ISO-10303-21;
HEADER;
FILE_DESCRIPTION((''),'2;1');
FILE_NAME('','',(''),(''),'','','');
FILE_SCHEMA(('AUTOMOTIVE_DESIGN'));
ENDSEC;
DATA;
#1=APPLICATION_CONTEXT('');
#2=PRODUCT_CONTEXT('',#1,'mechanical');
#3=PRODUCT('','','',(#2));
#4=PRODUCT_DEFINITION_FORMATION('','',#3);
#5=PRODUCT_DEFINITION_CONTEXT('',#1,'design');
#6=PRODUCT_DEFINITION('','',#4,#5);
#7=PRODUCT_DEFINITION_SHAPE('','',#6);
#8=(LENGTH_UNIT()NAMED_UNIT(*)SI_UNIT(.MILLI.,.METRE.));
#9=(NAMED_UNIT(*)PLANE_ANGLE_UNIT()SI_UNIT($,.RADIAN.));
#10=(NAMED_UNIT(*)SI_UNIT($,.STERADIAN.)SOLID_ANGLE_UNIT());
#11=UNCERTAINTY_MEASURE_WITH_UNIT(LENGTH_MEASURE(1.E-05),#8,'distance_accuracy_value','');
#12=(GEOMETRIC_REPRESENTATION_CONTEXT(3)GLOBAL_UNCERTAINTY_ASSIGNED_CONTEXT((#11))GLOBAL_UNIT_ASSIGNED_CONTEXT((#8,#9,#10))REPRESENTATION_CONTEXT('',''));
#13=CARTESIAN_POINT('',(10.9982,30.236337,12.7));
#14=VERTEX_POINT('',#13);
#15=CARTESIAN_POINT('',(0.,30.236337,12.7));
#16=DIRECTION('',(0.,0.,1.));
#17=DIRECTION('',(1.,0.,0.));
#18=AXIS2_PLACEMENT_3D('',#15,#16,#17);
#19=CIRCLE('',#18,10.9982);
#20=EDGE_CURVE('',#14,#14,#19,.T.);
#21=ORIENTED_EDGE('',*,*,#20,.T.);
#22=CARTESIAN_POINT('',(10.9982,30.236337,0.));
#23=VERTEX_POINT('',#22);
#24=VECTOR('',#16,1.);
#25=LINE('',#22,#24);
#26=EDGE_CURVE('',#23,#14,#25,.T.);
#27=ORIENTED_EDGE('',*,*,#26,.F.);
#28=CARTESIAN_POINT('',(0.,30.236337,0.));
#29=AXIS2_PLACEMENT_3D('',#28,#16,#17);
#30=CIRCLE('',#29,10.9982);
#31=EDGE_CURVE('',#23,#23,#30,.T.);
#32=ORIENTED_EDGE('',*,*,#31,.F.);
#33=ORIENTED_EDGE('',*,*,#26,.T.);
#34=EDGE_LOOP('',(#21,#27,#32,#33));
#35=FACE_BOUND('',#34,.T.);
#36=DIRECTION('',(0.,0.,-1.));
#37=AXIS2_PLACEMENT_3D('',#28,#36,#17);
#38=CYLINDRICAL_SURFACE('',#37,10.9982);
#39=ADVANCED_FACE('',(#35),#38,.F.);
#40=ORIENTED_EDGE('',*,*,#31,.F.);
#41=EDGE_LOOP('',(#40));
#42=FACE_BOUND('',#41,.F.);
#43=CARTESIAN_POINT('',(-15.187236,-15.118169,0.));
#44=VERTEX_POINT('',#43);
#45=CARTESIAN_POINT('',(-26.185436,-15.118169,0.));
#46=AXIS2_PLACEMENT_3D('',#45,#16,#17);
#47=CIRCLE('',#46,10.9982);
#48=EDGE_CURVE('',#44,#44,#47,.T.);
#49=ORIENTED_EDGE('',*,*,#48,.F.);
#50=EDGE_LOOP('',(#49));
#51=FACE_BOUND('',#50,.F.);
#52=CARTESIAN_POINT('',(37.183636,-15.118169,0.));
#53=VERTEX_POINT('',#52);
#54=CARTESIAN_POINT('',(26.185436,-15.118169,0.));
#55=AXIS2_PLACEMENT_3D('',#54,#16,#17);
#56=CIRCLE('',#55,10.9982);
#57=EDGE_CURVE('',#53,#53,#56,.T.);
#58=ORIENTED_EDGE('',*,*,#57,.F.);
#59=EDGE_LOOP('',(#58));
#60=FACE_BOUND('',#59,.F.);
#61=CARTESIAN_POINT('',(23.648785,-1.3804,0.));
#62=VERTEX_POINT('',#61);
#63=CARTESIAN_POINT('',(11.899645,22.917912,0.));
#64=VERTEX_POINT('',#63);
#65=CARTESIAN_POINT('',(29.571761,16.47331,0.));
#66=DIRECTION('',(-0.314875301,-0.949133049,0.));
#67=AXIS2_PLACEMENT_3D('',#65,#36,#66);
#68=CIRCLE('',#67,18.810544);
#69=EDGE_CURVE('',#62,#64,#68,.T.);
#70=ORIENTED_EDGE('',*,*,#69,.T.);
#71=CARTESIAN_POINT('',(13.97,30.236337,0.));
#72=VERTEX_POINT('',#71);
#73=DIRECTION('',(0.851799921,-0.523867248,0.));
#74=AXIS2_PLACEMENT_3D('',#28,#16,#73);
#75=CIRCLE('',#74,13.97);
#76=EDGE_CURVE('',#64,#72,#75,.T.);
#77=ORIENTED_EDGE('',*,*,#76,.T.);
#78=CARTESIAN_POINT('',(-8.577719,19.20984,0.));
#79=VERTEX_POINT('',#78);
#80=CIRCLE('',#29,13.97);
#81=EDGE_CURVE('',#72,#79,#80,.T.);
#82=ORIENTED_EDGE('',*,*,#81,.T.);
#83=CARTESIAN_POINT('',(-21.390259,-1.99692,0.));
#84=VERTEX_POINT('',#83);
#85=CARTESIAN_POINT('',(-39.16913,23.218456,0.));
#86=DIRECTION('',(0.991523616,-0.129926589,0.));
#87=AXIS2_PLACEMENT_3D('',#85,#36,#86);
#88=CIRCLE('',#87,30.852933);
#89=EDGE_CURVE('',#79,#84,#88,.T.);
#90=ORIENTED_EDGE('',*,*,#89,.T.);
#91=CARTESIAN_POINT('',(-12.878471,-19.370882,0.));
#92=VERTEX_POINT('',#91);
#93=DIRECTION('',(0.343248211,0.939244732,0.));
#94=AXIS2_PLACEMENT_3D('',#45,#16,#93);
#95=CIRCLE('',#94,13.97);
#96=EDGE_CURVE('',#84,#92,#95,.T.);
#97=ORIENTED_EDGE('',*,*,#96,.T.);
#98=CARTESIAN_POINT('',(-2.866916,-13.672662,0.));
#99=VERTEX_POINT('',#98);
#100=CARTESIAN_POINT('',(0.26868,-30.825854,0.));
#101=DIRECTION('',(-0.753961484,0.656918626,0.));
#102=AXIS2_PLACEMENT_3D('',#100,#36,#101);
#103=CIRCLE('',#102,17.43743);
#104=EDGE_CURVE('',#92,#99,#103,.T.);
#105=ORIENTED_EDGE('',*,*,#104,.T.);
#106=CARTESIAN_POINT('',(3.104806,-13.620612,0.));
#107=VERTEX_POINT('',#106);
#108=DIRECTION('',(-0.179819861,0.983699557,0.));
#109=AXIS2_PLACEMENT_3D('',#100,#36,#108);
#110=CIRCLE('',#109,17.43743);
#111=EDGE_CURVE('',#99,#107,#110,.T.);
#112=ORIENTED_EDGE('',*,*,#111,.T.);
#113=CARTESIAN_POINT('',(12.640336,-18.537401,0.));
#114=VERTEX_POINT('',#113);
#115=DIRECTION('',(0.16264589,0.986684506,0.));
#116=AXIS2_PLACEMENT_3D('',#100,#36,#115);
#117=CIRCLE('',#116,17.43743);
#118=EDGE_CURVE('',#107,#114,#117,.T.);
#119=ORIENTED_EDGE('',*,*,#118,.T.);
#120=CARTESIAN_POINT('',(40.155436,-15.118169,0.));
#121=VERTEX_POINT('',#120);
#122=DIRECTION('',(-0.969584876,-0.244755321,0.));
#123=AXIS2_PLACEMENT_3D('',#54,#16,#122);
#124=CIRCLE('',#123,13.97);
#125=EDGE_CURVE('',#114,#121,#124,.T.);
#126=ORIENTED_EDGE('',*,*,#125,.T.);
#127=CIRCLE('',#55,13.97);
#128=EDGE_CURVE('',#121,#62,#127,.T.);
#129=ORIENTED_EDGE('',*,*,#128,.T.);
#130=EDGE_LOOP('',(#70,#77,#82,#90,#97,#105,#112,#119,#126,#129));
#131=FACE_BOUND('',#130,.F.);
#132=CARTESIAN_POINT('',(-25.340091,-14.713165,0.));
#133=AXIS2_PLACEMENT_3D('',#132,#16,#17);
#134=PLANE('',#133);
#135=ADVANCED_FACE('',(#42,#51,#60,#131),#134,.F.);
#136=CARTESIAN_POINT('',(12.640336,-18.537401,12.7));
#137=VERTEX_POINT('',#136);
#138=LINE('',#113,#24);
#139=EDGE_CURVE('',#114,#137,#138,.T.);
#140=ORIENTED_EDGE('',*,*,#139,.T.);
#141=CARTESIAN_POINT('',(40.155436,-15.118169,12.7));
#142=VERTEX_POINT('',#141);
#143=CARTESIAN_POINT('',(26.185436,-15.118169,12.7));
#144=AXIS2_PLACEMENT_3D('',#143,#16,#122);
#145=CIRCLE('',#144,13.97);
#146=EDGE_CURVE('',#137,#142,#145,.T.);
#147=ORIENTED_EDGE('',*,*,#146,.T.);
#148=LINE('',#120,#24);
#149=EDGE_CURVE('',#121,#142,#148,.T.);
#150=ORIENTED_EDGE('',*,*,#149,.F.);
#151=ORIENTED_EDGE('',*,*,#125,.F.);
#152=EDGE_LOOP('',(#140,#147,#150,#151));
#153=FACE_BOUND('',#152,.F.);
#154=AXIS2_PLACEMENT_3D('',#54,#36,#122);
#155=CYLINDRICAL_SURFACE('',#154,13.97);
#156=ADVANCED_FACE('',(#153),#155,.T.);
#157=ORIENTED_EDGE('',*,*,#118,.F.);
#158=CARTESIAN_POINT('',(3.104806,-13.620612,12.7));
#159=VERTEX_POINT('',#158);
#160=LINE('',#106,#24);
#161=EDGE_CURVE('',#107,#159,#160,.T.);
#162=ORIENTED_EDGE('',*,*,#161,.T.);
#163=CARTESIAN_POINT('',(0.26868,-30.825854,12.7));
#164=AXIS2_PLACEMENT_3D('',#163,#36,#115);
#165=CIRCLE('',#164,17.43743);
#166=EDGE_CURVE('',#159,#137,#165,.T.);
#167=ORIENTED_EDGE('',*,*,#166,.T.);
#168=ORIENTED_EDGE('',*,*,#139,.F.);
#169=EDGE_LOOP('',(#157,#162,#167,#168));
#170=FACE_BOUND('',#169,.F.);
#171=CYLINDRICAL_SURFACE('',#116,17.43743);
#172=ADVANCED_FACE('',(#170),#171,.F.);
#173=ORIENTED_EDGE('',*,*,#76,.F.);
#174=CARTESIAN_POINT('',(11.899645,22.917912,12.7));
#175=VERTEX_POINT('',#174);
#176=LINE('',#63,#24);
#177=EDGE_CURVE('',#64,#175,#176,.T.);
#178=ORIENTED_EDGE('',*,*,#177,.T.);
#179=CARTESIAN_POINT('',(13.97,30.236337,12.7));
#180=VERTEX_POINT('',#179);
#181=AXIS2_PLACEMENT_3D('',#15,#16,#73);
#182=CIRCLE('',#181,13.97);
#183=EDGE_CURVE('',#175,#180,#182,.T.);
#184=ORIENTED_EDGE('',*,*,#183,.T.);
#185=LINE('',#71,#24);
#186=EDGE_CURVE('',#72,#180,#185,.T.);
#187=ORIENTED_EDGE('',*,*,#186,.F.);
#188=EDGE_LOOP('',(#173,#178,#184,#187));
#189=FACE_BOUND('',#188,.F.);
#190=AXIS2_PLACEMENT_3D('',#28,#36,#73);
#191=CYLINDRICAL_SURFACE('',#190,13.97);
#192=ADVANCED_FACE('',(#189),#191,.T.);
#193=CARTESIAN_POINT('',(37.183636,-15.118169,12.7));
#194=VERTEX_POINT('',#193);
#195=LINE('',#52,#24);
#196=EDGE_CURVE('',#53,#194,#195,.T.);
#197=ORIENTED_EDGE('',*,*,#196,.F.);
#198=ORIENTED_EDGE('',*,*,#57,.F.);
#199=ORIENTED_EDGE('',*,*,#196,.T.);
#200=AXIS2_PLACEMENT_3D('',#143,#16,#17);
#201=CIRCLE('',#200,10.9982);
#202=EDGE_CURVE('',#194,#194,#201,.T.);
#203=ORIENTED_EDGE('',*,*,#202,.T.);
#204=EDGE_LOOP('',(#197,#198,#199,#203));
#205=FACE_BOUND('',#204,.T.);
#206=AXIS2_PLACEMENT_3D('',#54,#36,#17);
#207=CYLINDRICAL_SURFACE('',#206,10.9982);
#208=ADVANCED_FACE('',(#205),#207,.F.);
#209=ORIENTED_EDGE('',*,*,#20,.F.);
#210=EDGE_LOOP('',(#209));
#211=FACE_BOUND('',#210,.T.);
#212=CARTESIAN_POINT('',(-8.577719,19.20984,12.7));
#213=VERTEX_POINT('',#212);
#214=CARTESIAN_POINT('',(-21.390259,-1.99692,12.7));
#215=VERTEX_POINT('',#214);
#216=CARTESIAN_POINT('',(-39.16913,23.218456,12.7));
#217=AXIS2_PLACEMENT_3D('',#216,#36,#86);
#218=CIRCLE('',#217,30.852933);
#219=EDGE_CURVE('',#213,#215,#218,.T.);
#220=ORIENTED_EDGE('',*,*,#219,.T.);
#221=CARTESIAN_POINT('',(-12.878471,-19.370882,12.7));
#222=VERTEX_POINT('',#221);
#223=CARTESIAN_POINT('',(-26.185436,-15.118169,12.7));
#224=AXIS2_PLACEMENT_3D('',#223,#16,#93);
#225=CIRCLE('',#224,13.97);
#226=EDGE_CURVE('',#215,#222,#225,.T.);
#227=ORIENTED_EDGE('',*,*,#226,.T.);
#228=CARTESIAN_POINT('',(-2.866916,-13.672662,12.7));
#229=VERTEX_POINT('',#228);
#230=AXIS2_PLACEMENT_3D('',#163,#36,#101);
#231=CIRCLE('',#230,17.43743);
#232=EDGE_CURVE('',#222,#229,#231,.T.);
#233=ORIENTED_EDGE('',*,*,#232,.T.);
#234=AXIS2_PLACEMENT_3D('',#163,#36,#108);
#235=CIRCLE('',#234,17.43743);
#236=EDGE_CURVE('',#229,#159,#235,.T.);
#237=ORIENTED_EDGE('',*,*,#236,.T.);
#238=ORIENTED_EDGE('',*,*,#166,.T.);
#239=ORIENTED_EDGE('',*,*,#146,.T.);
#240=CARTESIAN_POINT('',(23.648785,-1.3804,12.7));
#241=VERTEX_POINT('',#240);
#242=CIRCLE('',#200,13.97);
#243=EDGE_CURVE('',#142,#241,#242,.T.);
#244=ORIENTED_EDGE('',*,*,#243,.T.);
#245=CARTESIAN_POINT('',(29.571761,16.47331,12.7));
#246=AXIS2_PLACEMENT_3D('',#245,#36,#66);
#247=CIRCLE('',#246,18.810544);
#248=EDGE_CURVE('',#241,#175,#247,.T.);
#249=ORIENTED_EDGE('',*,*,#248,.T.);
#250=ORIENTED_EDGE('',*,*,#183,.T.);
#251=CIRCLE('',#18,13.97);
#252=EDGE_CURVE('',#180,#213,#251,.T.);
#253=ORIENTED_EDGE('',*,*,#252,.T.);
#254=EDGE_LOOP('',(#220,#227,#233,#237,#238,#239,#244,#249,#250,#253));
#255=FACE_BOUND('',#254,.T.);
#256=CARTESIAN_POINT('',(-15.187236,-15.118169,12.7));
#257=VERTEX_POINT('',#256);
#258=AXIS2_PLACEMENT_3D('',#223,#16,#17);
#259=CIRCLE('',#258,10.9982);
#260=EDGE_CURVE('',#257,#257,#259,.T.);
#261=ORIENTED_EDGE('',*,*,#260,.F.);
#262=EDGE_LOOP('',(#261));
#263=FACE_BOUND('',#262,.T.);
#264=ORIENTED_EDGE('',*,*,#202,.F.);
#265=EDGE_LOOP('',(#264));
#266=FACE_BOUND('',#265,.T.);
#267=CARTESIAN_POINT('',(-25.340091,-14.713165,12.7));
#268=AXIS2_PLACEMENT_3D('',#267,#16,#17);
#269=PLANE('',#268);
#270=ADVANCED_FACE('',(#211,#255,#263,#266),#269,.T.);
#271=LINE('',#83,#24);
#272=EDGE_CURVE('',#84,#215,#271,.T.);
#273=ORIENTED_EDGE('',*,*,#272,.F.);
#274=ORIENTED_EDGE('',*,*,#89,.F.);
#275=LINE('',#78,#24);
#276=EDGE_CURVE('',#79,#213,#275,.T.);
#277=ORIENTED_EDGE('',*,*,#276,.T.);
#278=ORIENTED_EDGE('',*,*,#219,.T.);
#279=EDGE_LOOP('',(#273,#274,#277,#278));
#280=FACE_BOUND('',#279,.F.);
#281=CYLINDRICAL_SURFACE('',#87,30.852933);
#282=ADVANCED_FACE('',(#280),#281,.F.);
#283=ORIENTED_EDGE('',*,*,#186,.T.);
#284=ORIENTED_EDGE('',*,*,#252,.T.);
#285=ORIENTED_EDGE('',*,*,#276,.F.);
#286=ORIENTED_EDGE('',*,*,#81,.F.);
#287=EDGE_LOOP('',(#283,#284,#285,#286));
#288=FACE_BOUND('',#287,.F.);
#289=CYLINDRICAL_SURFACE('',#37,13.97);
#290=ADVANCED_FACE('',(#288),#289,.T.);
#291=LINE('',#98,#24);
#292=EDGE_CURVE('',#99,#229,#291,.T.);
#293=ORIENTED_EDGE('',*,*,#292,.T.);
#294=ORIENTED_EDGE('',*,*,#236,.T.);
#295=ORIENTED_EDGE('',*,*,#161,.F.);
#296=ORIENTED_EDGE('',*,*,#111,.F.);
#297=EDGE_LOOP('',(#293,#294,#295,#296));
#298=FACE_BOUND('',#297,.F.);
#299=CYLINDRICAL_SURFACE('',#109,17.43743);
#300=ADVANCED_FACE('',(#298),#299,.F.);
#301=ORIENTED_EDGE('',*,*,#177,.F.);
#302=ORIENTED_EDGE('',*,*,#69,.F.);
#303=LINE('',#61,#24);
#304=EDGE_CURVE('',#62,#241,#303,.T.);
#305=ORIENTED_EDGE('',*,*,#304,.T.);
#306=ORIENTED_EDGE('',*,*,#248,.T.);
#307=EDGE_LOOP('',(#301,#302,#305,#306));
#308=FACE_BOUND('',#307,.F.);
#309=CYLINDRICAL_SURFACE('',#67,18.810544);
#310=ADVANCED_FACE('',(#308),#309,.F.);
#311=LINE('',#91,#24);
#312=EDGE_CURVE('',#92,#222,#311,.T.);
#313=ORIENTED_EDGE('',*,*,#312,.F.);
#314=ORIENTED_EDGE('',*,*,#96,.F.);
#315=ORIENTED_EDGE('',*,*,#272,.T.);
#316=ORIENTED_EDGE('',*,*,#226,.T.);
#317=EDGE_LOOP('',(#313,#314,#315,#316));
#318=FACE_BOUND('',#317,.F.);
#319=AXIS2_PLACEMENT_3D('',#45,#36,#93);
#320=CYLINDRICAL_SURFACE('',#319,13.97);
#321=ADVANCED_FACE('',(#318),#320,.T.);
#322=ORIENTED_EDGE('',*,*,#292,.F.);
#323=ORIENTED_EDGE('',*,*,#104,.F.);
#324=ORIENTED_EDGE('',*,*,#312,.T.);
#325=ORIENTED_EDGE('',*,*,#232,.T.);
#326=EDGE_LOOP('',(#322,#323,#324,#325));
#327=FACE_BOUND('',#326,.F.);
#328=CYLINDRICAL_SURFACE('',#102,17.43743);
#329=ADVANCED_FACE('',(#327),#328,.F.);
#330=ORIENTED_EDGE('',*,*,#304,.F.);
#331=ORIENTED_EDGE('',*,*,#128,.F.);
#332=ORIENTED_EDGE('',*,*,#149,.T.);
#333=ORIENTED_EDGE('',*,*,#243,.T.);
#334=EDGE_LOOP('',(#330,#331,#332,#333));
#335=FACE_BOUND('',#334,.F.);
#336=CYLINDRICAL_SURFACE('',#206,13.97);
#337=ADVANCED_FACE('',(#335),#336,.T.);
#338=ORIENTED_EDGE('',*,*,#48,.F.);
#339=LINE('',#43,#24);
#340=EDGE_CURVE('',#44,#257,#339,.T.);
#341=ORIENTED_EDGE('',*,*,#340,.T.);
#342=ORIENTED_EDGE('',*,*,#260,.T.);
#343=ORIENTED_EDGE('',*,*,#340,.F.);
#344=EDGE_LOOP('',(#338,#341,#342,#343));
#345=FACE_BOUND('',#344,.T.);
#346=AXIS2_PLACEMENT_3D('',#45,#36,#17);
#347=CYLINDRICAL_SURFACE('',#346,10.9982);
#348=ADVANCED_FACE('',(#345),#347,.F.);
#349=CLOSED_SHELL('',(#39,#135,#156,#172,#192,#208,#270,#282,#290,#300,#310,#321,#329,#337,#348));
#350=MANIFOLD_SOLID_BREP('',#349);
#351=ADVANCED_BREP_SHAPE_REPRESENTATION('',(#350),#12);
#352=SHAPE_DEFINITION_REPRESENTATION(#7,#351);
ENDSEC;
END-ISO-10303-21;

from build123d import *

# Parameters (mm, degrees)
F0_R     = 10.9982
F1_DEPTH = 12.7


with BuildPart() as f1:
    # F0 (on Top) → F1 (new body)
    with BuildSketch(Plane.XY):
        with BuildLine():
            ThreePointArc((-12.2154362486, -15.118168667), (-14.7366474541, -7.1127870308), (-21.3902587453, -1.9969197663))
            ThreePointArc((-21.3902587453, -1.9969197663), (-38.7307753818, -21.2643354424), (-12.8784707078, -19.3708816947))
            ThreePointArc((-12.8784707078, -19.3708816947), (-12.3821900977, -17.2702132059), (-12.2154362486, -15.118168667))
        make_face()
        with Locations((-26.1854362486, -15.118168667)):
            Circle(F0_R, mode=Mode.SUBTRACT)
        with BuildLine():
            ThreePointArc((40.1554362486, -15.118168667), (35.1219871279, -4.3804334131), (23.6487850844, -1.3803995296))
            ThreePointArc((23.6487850844, -1.3803995296), (14.4276151668, -7.5739958554), (12.6403355248, -18.537400508))
            ThreePointArc((12.6403355248, -18.537400508), (27.9082018869, -28.9815368924), (40.1554362486, -15.118168667))
        make_face()
        with Locations((26.1854362486, -15.118168667)):
            Circle(F0_R, mode=Mode.SUBTRACT)
        with BuildLine():
            ThreePointArc((11.8996449026, 22.9179118754), (13.4424502843, 26.4335185958), (13.97, 30.2363373339))
            ThreePointArc((13.97, 30.2363373339), (-6.1371887261, 42.7860709781), (-8.5777186171, 19.2098400059))
            ThreePointArc((-8.5777186171, 19.2098400059), (2.4892263475, 16.4898958965), (11.8996449026, 22.9179118754))
        make_face()
        with Locations((0, 30.2363373339)):
            Circle(F0_R, mode=Mode.SUBTRACT)
        with BuildLine():
            ThreePointArc((13.97, 0), (-8.806533859, 10.8446236168), (-2.8669164481, -13.6726621431))
            ThreePointArc((-2.8669164481, -13.6726621431), (0.1166999795, -13.3890866242), (3.1048060559, -13.6206122974))
            ThreePointArc((3.1048060559, -13.6206122974), (10.9209670039, -8.7116806472), (13.97, 0))
        make_face()
        Circle(F0_R, mode=Mode.SUBTRACT)
        Circle(F0_R)
        with BuildLine():
            ThreePointArc((11.8996449026, 22.9179118754), (2.4892263475, 16.4898958965), (-8.5777186171, 19.2098400059))
            ThreePointArc((-8.5777186171, 19.2098400059), (-12.761693054, 7.2638103135), (-21.3902587453, -1.9969197663))
            ThreePointArc((-21.3902587453, -1.9969197663), (-14.7366474541, -7.1127870308), (-12.2154362486, -15.118168667))
            ThreePointArc((-12.2154362486, -15.118168667), (-12.3821900977, -17.2702132059), (-12.8784707078, -19.3708816947))
            ThreePointArc((-12.8784707078, -19.3708816947), (-8.3568281291, -15.6711659912), (-2.8669164481, -13.6726621431))
            ThreePointArc((-2.8669164481, -13.6726621431), (-8.806533859, 10.8446236168), (13.97, 0))
            ThreePointArc((13.97, 0), (10.9209670039, -8.7116806472), (3.1048060559, -13.6206122974))
            ThreePointArc((3.1048060559, -13.6206122974), (8.260103937, -15.3274316792), (12.6403355248, -18.537400508))
            ThreePointArc((12.6403355248, -18.537400508), (14.4276151668, -7.5739958554), (23.6487850844, -1.3803995296))
            ThreePointArc((23.6487850844, -1.3803995296), (12.637060616, 8.2847503541), (11.8996449026, 22.9179118754))
        make_face()
    extrude(amount=F1_DEPTH)


solid = f1.part
